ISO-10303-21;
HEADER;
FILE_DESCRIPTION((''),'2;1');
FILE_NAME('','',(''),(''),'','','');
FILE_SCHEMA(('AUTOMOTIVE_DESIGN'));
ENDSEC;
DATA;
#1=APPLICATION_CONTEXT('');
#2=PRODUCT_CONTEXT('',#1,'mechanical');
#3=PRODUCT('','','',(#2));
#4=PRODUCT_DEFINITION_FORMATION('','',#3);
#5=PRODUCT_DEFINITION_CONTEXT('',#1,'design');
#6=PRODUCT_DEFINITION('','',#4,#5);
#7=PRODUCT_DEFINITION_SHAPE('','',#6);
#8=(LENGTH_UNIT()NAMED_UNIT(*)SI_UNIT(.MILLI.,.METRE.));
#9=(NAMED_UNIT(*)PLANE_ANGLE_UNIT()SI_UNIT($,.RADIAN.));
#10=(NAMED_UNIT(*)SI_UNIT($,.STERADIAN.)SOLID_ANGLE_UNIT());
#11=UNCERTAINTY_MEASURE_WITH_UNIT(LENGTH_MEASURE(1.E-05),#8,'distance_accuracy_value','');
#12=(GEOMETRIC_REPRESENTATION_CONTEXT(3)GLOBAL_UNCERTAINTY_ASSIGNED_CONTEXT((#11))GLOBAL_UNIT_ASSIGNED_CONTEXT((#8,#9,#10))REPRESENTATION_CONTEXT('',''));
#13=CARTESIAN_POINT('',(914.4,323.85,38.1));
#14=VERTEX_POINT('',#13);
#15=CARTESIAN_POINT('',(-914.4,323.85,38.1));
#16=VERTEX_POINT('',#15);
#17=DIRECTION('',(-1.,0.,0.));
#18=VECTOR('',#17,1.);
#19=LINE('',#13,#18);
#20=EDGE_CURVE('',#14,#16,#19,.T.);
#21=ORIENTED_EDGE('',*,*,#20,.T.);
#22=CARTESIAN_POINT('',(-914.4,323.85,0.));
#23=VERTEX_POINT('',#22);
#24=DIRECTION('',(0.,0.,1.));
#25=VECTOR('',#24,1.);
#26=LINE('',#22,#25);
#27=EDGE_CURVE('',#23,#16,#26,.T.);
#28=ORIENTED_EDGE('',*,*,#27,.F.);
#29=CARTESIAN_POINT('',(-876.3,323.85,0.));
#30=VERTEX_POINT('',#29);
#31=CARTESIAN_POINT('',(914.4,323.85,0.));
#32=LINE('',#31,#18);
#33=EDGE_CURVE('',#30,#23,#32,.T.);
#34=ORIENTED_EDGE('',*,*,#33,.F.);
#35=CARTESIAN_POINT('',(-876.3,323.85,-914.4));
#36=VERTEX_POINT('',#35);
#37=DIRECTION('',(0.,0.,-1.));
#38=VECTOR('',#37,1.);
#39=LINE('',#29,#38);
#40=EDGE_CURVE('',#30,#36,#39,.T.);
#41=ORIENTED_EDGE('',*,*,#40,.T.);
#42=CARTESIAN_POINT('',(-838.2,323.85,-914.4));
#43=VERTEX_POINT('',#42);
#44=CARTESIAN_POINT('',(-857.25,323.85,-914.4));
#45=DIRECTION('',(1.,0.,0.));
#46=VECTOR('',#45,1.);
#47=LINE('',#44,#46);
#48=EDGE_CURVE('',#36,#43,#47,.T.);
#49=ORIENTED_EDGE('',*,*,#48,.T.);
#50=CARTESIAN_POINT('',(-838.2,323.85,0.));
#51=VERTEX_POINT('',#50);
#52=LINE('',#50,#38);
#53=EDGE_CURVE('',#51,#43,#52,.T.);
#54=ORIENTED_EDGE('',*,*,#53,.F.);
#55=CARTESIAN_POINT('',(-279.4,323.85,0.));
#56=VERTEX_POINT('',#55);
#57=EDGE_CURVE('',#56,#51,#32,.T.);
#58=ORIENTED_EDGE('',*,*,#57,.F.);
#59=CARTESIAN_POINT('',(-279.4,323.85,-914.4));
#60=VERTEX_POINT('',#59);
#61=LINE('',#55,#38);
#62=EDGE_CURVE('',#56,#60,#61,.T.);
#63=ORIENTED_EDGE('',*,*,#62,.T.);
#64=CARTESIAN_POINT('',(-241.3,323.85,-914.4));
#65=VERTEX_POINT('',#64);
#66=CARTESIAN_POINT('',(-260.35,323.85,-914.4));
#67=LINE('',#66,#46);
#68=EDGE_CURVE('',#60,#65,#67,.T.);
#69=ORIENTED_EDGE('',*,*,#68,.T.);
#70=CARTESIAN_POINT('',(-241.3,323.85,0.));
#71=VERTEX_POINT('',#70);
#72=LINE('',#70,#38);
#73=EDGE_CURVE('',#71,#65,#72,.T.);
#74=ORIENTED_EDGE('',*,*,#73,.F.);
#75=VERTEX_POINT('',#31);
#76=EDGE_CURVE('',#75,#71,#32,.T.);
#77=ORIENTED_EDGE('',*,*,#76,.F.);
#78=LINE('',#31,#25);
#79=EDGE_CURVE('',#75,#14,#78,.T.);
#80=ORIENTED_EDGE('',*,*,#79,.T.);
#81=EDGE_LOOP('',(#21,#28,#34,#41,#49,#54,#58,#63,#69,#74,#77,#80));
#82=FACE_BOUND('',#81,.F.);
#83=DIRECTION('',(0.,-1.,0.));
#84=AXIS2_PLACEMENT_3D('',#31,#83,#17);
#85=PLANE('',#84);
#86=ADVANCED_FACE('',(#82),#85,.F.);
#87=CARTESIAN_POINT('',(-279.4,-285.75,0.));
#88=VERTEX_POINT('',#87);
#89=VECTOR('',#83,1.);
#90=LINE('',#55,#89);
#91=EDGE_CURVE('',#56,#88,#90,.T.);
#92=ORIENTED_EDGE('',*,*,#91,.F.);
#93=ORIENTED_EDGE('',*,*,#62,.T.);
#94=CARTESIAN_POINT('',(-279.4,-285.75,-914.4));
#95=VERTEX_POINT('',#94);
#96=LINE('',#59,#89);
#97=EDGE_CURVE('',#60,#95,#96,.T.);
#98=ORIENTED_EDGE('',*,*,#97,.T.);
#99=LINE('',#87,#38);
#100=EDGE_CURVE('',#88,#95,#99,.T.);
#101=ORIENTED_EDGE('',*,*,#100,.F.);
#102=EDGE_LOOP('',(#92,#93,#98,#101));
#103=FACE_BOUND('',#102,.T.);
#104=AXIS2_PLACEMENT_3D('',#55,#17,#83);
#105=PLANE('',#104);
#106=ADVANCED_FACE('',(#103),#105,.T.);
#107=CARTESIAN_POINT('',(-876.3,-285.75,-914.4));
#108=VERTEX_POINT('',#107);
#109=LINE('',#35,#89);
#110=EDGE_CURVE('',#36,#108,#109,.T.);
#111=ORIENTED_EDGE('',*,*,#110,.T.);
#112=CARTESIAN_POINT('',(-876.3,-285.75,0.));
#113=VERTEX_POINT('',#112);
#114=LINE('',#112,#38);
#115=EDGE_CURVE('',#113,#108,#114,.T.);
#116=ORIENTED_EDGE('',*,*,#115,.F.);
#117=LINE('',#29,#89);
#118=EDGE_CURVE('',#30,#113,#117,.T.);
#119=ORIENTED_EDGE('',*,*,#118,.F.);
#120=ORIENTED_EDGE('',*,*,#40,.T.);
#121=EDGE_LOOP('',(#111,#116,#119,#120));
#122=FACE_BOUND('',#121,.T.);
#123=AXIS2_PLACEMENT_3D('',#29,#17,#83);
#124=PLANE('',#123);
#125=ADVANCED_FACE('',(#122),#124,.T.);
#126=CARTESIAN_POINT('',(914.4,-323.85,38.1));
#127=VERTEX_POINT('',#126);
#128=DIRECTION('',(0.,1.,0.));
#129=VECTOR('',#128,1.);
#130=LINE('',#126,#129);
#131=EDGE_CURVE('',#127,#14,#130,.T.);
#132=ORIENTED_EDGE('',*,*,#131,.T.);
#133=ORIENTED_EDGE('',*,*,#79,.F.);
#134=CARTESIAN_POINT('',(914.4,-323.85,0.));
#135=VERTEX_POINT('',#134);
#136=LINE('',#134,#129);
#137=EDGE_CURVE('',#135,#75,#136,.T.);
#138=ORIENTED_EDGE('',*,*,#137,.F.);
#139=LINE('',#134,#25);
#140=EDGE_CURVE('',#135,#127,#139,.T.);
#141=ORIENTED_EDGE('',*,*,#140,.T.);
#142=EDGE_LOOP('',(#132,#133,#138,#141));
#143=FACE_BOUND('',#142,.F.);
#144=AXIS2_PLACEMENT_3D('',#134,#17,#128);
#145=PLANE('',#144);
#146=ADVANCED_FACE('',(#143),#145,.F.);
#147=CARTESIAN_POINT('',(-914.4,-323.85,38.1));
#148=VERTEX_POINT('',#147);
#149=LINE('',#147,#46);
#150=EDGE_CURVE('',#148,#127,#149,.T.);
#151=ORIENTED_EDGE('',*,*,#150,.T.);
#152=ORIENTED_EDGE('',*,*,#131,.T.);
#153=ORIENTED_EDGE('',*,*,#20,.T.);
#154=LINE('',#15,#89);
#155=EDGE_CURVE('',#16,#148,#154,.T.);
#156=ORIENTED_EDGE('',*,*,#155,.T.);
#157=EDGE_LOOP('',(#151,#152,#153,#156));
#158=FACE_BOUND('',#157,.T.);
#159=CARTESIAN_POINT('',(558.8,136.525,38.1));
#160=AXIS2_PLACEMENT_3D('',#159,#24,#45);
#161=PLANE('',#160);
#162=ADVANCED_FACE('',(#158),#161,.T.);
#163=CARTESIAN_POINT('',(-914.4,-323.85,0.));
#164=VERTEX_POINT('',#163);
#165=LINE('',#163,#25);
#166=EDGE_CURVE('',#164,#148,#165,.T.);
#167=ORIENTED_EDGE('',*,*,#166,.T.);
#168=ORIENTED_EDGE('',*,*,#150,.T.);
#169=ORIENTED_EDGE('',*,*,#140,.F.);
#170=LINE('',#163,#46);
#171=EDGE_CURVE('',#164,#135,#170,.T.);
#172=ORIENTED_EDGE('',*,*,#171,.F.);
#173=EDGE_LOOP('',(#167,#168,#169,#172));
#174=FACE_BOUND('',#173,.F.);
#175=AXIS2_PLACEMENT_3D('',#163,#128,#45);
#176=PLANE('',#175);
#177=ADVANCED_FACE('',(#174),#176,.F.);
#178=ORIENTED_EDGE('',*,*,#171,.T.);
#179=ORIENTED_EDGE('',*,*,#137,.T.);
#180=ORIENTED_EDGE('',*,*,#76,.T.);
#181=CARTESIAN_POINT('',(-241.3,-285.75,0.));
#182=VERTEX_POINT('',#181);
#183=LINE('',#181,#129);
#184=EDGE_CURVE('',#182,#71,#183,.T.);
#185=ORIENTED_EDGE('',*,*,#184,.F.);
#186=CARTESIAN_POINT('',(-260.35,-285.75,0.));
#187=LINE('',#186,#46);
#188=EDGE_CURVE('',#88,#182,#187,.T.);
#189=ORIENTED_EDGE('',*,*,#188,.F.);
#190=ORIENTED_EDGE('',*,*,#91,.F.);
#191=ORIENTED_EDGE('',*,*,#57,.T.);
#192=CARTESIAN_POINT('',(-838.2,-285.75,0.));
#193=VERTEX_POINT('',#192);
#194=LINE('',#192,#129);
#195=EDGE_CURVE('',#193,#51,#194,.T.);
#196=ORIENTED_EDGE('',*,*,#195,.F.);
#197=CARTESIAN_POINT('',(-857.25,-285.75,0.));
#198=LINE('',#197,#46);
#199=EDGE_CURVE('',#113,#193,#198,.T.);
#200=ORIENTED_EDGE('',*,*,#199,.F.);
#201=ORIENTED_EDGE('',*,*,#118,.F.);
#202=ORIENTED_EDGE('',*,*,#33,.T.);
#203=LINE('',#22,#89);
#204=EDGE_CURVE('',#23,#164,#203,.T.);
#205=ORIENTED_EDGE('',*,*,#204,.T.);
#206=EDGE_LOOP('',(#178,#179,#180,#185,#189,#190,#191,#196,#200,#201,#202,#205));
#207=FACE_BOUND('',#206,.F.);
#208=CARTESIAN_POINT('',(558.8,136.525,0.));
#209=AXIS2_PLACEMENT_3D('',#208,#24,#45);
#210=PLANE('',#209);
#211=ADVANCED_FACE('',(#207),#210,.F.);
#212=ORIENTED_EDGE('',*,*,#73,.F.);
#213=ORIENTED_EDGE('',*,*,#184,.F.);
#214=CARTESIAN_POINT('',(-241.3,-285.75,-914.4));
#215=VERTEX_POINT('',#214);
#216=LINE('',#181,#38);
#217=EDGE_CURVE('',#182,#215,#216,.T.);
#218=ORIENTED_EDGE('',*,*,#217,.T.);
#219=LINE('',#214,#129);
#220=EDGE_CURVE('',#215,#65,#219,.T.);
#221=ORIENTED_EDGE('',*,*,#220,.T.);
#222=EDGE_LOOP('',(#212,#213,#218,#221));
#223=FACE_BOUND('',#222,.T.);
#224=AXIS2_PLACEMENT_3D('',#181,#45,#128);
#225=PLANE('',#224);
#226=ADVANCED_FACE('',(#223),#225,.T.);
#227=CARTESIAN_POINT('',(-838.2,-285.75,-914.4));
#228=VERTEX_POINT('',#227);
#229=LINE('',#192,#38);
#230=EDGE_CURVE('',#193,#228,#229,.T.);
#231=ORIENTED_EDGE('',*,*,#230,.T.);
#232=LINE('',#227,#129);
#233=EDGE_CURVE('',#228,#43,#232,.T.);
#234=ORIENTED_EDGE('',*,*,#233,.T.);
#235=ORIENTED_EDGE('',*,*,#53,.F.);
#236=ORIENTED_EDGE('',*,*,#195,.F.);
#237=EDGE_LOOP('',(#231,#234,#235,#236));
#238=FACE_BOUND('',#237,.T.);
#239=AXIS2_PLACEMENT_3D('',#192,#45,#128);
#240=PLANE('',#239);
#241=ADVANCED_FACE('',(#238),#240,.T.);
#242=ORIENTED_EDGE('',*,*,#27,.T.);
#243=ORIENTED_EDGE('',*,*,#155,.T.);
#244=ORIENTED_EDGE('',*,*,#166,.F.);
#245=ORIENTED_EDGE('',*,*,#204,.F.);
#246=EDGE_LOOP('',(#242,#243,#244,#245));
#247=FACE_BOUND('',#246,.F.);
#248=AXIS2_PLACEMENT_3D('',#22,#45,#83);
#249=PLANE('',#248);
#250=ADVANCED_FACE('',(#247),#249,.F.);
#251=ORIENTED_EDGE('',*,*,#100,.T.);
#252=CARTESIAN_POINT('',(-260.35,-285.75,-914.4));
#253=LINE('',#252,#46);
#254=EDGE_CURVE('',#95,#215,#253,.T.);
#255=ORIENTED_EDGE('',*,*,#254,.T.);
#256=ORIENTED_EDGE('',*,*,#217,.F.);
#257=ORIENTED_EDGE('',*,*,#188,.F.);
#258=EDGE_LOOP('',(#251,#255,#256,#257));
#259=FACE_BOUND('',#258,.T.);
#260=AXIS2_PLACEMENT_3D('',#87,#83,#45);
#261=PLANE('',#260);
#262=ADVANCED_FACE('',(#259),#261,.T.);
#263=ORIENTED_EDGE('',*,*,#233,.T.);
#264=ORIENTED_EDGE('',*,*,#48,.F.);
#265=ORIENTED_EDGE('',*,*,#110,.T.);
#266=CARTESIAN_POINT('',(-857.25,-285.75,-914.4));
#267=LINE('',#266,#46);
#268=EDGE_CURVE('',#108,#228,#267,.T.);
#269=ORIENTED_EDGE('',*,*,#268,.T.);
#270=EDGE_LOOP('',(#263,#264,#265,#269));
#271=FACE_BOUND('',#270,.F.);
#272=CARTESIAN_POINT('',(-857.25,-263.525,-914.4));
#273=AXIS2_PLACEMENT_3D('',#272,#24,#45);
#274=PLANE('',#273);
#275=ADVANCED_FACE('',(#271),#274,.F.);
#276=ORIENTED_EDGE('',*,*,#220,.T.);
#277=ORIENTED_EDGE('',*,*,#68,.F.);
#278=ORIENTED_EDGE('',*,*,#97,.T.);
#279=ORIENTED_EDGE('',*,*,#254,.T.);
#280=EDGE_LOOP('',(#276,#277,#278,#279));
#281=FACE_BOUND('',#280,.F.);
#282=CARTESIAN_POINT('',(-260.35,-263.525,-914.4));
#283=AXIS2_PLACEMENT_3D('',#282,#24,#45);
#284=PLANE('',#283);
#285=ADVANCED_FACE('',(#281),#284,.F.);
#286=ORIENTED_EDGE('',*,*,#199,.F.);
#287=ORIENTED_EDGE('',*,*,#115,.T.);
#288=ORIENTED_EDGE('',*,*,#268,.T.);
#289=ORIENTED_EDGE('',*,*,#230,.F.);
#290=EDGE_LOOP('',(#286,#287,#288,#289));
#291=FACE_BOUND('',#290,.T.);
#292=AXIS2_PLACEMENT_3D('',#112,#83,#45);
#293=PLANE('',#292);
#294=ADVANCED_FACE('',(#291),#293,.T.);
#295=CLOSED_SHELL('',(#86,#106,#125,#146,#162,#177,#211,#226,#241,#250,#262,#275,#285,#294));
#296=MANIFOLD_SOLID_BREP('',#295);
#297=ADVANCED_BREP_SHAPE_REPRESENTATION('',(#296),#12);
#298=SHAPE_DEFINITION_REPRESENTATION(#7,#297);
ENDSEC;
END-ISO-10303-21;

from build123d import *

# Parameters (mm, degrees)
F0_W     = 558.8
F0_H     = 374.65
F0_W_2   = 38.1
F0_W_3   = 482.6
F0_H_2   = 19.05
F0_H_3   = 184.15
F0_H_4   = 12.7
F1_DEPTH = 38.1
F2_DEPTH = 914.4
F3_DEPTH = 914.4


with BuildPart() as f1:
    # F0 (on Top) → F1 (new body)
    with BuildSketch(Plane.XY):
        with Locations((558.8, 136.525)):
            Rectangle(F0_W, F0_H)
        with Locations((895.35, 136.525)):
            Rectangle(F0_W_2, F0_H)
        with Locations((-558.8, 136.525)):
            Rectangle(F0_W, F0_H)
        with Locations((-895.35, 136.525)):
            Rectangle(F0_W_2, F0_H)
        with Locations((0, 136.525)):
            Rectangle(F0_W_3, F0_H)
        with Locations((895.35, -60.325)):
            Rectangle(F0_W_2, F0_H_2)
        with Locations((-895.35, -60.325)):
            Rectangle(F0_W_2, F0_H_2)
        with Locations((260.35, 136.525)):
            Rectangle(F0_W_2, F0_H)
        with Locations((895.35, -161.925)):
            Rectangle(F0_W_2, F0_H_3)
        with Locations((-895.35, -263.525)):
            Rectangle(F0_W_2, F0_H_2)
        with Locations((857.25, 136.525)):
            Rectangle(F0_W_2, F0_H)
        Polygon((-914.4, -323.85), (914.4, -323.85), (914.4, -273.05), (876.3, -273.05), (876.3, -285.75), (838.2, -285.75), (838.2, -273.05), (279.4, -273.05), (279.4, -285.75), (241.3, -285.75), (241.3, -273.05), (-241.3, -273.05), (-241.3, -285.75), (-279.4, -285.75), (-279.4, -273.05), (-838.2, -273.05), (-838.2, -285.75), (-876.3, -285.75), (-876.3, -273.05), (-914.4, -273.05), align=None)
        with Locations((-895.35, -161.925)):
            Rectangle(F0_W_2, F0_H_3)
        with Locations((895.35, -263.525)):
            Rectangle(F0_W_2, F0_H_2)
        with Locations((-857.25, 136.525)):
            Rectangle(F0_W_2, F0_H)
        with Locations((-260.35, 136.525)):
            Rectangle(F0_W_2, F0_H)
        with Locations((-558.8, -60.325)):
            Rectangle(F0_W, F0_H_2)
        with Locations((-558.8, -161.925)):
            Rectangle(F0_W, F0_H_3)
        with Locations((-260.35, -161.925)):
            Rectangle(F0_W_2, F0_H_3)
        with Locations((0, -161.925)):
            Rectangle(F0_W_3, F0_H_3)
        with Locations((558.8, -161.925)):
            Rectangle(F0_W, F0_H_3)
        with Locations((260.35, -161.925)):
            Rectangle(F0_W_2, F0_H_3)
        with Locations((857.25, -161.925)):
            Rectangle(F0_W_2, F0_H_3)
        with Locations((558.8, -60.325)):
            Rectangle(F0_W, F0_H_2)
        with Locations((-857.25, -161.925)):
            Rectangle(F0_W_2, F0_H_3)
        with Locations((-857.25, -60.325)):
            Rectangle(F0_W_2, F0_H_2)
        with Locations((-857.25, -263.525)):
            Rectangle(F0_W_2, F0_H_2)
        with Locations((-857.25, -279.4)):
            Rectangle(F0_W_2, F0_H_4)
        with Locations((-558.8, -263.525)):
            Rectangle(F0_W, F0_H_2)
        with Locations((0, -60.325)):
            Rectangle(F0_W_3, F0_H_2)
        with Locations((0, -263.525)):
            Rectangle(F0_W_3, F0_H_2)
        with Locations((-260.35, -263.525)):
            Rectangle(F0_W_2, F0_H_2)
        with Locations((-260.35, -279.4)):
            Rectangle(F0_W_2, F0_H_4)
        with Locations((-260.35, -60.325)):
            Rectangle(F0_W_2, F0_H_2)
        with Locations((260.35, -60.325)):
            Rectangle(F0_W_2, F0_H_2)
        with Locations((260.35, -279.4)):
            Rectangle(F0_W_2, F0_H_4)
        with Locations((260.35, -263.525)):
            Rectangle(F0_W_2, F0_H_2)
        with Locations((558.8, -263.525)):
            Rectangle(F0_W, F0_H_2)
        with Locations((857.25, -60.325)):
            Rectangle(F0_W_2, F0_H_2)
        with Locations((857.25, -263.525)):
            Rectangle(F0_W_2, F0_H_2)
        with Locations((857.25, -279.4)):
            Rectangle(F0_W_2, F0_H_4)
    extrude(amount=F1_DEPTH)

    # F0 (on Top) → F2 (join)
    with BuildSketch(Plane.XY):
        with Locations((-260.35, -263.525)):
            Rectangle(F0_W_2, F0_H_2)
        with Locations((-260.35, -60.325)):
            Rectangle(F0_W_2, F0_H_2)
        with Locations((-260.35, -161.925)):
            Rectangle(F0_W_2, F0_H_3)
        with Locations((-260.35, -279.4)):
            Rectangle(F0_W_2, F0_H_4)
        with Locations((-260.35, 136.525)):
            Rectangle(F0_W_2, F0_H)
    extrude(amount=-F2_DEPTH)

    # F0 (on Top) → F3 (join)
    with BuildSketch(Plane.XY):
        with Locations((-857.25, -263.525)):
            Rectangle(F0_W_2, F0_H_2)
        with Locations((-857.25, 136.525)):
            Rectangle(F0_W_2, F0_H)
        with Locations((-857.25, -60.325)):
            Rectangle(F0_W_2, F0_H_2)
        with Locations((-857.25, -279.4)):
            Rectangle(F0_W_2, F0_H_4)
        with Locations((-857.25, -161.925)):
            Rectangle(F0_W_2, F0_H_3)
    extrude(amount=-F3_DEPTH)


solid = f1.part
